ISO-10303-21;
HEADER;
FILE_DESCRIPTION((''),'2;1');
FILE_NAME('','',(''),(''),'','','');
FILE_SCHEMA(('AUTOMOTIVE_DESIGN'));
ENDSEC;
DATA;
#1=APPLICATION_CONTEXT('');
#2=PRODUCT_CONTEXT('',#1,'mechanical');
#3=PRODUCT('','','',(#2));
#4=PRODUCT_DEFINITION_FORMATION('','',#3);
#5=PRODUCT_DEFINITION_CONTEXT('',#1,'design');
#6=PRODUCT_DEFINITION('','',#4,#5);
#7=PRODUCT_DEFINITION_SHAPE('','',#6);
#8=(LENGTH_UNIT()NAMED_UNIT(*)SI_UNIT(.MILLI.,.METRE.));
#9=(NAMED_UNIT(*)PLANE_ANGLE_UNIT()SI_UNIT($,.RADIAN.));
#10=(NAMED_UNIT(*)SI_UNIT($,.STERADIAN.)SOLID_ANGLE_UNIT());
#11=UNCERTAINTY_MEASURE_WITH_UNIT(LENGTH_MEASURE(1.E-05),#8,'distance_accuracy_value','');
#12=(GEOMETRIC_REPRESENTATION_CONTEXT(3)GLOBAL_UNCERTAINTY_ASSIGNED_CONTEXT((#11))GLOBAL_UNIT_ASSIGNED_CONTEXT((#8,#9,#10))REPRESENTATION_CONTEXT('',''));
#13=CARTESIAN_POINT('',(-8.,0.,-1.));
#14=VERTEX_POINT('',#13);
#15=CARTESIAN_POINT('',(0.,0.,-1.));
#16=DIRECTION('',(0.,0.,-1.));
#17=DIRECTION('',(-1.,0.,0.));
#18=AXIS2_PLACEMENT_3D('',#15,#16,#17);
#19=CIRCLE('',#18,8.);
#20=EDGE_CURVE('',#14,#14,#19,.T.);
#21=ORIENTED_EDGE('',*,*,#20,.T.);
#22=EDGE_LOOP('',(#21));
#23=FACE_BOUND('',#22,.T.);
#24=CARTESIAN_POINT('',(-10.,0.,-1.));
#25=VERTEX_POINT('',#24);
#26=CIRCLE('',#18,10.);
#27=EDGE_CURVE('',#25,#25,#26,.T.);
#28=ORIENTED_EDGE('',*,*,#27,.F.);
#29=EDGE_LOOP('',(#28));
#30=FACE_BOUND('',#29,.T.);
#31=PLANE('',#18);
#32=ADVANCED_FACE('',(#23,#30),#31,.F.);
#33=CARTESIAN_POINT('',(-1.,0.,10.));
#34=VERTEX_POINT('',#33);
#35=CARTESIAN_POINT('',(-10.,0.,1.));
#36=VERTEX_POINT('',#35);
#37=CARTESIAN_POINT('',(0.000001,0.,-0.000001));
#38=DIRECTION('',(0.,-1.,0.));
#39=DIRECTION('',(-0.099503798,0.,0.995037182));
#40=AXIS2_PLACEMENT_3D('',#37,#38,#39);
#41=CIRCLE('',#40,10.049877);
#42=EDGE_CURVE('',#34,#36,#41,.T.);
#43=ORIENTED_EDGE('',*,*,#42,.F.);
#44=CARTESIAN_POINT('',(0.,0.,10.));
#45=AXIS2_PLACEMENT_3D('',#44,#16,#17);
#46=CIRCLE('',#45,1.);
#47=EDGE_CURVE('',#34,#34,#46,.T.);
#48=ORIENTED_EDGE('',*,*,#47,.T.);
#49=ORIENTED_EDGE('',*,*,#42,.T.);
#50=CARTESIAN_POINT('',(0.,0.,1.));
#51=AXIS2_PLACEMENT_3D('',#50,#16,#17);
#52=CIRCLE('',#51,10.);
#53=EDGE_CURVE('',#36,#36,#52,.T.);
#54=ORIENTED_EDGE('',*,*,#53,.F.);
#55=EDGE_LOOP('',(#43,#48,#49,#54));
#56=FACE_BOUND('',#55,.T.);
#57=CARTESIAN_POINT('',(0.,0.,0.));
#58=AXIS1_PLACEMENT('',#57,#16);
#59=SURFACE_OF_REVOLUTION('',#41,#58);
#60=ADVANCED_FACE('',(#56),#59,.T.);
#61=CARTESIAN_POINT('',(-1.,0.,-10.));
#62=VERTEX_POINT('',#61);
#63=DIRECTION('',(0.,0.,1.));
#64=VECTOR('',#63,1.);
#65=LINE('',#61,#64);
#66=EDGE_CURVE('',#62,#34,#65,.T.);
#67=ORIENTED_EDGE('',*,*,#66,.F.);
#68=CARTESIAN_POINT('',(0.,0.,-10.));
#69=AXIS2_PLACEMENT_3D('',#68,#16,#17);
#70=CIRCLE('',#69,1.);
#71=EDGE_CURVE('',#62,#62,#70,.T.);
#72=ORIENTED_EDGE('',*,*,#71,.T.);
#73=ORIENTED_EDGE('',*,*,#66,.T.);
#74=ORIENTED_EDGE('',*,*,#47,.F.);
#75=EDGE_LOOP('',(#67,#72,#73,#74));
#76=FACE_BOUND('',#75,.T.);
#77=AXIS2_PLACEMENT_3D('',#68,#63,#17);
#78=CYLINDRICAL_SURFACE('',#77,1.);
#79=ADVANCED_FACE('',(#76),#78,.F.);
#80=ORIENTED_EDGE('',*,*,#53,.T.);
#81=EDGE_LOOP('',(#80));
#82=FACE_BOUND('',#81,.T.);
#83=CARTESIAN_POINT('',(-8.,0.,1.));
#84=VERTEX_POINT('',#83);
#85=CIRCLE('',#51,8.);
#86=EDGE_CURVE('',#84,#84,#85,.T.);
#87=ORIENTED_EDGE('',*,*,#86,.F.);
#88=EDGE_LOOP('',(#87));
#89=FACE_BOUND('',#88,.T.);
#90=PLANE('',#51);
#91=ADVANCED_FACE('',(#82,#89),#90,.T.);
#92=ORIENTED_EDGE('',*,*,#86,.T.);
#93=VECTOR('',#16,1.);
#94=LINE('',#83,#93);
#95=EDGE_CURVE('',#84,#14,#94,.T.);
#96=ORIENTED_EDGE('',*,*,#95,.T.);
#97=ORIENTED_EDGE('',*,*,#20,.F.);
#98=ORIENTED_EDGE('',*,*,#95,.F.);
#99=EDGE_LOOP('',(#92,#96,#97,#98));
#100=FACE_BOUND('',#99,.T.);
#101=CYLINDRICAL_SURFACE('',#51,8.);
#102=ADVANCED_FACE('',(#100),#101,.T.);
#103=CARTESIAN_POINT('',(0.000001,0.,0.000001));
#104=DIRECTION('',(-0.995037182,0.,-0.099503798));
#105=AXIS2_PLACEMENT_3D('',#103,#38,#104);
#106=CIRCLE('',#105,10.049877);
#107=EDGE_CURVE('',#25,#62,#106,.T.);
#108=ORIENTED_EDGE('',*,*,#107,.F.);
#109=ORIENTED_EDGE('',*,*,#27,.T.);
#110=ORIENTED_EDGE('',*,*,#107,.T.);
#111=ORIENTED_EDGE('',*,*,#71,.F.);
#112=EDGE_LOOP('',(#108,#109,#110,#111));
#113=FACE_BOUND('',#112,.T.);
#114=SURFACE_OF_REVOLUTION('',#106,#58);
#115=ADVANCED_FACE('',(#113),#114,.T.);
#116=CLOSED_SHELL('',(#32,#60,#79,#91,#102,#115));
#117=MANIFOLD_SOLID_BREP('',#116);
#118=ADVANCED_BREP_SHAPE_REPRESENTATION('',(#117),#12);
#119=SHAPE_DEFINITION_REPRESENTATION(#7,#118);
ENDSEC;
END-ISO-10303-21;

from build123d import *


with BuildPart() as f1:
    # F0 (on Front) → F1 (revolve)
    with BuildSketch(Plane.XZ):
        with BuildLine():
            Line((-8, 1), (-8, 0))
            Line((-8, 0), (-8, -1))
            Line((-8, -1), (-10, -1))
            ThreePointArc((-10, -1), (-7.106335, -7.106335), (-1, -10))
            Line((-1, -10), (-1, 10))
            ThreePointArc((-1, 10), (-7.106335, 7.106335), (-10, 1))
            Line((-10, 1), (-8, 1))
        make_face()
    revolve(axis=Axis((0, 0, 0), (0, 0, -1)))


solid = f1.part
